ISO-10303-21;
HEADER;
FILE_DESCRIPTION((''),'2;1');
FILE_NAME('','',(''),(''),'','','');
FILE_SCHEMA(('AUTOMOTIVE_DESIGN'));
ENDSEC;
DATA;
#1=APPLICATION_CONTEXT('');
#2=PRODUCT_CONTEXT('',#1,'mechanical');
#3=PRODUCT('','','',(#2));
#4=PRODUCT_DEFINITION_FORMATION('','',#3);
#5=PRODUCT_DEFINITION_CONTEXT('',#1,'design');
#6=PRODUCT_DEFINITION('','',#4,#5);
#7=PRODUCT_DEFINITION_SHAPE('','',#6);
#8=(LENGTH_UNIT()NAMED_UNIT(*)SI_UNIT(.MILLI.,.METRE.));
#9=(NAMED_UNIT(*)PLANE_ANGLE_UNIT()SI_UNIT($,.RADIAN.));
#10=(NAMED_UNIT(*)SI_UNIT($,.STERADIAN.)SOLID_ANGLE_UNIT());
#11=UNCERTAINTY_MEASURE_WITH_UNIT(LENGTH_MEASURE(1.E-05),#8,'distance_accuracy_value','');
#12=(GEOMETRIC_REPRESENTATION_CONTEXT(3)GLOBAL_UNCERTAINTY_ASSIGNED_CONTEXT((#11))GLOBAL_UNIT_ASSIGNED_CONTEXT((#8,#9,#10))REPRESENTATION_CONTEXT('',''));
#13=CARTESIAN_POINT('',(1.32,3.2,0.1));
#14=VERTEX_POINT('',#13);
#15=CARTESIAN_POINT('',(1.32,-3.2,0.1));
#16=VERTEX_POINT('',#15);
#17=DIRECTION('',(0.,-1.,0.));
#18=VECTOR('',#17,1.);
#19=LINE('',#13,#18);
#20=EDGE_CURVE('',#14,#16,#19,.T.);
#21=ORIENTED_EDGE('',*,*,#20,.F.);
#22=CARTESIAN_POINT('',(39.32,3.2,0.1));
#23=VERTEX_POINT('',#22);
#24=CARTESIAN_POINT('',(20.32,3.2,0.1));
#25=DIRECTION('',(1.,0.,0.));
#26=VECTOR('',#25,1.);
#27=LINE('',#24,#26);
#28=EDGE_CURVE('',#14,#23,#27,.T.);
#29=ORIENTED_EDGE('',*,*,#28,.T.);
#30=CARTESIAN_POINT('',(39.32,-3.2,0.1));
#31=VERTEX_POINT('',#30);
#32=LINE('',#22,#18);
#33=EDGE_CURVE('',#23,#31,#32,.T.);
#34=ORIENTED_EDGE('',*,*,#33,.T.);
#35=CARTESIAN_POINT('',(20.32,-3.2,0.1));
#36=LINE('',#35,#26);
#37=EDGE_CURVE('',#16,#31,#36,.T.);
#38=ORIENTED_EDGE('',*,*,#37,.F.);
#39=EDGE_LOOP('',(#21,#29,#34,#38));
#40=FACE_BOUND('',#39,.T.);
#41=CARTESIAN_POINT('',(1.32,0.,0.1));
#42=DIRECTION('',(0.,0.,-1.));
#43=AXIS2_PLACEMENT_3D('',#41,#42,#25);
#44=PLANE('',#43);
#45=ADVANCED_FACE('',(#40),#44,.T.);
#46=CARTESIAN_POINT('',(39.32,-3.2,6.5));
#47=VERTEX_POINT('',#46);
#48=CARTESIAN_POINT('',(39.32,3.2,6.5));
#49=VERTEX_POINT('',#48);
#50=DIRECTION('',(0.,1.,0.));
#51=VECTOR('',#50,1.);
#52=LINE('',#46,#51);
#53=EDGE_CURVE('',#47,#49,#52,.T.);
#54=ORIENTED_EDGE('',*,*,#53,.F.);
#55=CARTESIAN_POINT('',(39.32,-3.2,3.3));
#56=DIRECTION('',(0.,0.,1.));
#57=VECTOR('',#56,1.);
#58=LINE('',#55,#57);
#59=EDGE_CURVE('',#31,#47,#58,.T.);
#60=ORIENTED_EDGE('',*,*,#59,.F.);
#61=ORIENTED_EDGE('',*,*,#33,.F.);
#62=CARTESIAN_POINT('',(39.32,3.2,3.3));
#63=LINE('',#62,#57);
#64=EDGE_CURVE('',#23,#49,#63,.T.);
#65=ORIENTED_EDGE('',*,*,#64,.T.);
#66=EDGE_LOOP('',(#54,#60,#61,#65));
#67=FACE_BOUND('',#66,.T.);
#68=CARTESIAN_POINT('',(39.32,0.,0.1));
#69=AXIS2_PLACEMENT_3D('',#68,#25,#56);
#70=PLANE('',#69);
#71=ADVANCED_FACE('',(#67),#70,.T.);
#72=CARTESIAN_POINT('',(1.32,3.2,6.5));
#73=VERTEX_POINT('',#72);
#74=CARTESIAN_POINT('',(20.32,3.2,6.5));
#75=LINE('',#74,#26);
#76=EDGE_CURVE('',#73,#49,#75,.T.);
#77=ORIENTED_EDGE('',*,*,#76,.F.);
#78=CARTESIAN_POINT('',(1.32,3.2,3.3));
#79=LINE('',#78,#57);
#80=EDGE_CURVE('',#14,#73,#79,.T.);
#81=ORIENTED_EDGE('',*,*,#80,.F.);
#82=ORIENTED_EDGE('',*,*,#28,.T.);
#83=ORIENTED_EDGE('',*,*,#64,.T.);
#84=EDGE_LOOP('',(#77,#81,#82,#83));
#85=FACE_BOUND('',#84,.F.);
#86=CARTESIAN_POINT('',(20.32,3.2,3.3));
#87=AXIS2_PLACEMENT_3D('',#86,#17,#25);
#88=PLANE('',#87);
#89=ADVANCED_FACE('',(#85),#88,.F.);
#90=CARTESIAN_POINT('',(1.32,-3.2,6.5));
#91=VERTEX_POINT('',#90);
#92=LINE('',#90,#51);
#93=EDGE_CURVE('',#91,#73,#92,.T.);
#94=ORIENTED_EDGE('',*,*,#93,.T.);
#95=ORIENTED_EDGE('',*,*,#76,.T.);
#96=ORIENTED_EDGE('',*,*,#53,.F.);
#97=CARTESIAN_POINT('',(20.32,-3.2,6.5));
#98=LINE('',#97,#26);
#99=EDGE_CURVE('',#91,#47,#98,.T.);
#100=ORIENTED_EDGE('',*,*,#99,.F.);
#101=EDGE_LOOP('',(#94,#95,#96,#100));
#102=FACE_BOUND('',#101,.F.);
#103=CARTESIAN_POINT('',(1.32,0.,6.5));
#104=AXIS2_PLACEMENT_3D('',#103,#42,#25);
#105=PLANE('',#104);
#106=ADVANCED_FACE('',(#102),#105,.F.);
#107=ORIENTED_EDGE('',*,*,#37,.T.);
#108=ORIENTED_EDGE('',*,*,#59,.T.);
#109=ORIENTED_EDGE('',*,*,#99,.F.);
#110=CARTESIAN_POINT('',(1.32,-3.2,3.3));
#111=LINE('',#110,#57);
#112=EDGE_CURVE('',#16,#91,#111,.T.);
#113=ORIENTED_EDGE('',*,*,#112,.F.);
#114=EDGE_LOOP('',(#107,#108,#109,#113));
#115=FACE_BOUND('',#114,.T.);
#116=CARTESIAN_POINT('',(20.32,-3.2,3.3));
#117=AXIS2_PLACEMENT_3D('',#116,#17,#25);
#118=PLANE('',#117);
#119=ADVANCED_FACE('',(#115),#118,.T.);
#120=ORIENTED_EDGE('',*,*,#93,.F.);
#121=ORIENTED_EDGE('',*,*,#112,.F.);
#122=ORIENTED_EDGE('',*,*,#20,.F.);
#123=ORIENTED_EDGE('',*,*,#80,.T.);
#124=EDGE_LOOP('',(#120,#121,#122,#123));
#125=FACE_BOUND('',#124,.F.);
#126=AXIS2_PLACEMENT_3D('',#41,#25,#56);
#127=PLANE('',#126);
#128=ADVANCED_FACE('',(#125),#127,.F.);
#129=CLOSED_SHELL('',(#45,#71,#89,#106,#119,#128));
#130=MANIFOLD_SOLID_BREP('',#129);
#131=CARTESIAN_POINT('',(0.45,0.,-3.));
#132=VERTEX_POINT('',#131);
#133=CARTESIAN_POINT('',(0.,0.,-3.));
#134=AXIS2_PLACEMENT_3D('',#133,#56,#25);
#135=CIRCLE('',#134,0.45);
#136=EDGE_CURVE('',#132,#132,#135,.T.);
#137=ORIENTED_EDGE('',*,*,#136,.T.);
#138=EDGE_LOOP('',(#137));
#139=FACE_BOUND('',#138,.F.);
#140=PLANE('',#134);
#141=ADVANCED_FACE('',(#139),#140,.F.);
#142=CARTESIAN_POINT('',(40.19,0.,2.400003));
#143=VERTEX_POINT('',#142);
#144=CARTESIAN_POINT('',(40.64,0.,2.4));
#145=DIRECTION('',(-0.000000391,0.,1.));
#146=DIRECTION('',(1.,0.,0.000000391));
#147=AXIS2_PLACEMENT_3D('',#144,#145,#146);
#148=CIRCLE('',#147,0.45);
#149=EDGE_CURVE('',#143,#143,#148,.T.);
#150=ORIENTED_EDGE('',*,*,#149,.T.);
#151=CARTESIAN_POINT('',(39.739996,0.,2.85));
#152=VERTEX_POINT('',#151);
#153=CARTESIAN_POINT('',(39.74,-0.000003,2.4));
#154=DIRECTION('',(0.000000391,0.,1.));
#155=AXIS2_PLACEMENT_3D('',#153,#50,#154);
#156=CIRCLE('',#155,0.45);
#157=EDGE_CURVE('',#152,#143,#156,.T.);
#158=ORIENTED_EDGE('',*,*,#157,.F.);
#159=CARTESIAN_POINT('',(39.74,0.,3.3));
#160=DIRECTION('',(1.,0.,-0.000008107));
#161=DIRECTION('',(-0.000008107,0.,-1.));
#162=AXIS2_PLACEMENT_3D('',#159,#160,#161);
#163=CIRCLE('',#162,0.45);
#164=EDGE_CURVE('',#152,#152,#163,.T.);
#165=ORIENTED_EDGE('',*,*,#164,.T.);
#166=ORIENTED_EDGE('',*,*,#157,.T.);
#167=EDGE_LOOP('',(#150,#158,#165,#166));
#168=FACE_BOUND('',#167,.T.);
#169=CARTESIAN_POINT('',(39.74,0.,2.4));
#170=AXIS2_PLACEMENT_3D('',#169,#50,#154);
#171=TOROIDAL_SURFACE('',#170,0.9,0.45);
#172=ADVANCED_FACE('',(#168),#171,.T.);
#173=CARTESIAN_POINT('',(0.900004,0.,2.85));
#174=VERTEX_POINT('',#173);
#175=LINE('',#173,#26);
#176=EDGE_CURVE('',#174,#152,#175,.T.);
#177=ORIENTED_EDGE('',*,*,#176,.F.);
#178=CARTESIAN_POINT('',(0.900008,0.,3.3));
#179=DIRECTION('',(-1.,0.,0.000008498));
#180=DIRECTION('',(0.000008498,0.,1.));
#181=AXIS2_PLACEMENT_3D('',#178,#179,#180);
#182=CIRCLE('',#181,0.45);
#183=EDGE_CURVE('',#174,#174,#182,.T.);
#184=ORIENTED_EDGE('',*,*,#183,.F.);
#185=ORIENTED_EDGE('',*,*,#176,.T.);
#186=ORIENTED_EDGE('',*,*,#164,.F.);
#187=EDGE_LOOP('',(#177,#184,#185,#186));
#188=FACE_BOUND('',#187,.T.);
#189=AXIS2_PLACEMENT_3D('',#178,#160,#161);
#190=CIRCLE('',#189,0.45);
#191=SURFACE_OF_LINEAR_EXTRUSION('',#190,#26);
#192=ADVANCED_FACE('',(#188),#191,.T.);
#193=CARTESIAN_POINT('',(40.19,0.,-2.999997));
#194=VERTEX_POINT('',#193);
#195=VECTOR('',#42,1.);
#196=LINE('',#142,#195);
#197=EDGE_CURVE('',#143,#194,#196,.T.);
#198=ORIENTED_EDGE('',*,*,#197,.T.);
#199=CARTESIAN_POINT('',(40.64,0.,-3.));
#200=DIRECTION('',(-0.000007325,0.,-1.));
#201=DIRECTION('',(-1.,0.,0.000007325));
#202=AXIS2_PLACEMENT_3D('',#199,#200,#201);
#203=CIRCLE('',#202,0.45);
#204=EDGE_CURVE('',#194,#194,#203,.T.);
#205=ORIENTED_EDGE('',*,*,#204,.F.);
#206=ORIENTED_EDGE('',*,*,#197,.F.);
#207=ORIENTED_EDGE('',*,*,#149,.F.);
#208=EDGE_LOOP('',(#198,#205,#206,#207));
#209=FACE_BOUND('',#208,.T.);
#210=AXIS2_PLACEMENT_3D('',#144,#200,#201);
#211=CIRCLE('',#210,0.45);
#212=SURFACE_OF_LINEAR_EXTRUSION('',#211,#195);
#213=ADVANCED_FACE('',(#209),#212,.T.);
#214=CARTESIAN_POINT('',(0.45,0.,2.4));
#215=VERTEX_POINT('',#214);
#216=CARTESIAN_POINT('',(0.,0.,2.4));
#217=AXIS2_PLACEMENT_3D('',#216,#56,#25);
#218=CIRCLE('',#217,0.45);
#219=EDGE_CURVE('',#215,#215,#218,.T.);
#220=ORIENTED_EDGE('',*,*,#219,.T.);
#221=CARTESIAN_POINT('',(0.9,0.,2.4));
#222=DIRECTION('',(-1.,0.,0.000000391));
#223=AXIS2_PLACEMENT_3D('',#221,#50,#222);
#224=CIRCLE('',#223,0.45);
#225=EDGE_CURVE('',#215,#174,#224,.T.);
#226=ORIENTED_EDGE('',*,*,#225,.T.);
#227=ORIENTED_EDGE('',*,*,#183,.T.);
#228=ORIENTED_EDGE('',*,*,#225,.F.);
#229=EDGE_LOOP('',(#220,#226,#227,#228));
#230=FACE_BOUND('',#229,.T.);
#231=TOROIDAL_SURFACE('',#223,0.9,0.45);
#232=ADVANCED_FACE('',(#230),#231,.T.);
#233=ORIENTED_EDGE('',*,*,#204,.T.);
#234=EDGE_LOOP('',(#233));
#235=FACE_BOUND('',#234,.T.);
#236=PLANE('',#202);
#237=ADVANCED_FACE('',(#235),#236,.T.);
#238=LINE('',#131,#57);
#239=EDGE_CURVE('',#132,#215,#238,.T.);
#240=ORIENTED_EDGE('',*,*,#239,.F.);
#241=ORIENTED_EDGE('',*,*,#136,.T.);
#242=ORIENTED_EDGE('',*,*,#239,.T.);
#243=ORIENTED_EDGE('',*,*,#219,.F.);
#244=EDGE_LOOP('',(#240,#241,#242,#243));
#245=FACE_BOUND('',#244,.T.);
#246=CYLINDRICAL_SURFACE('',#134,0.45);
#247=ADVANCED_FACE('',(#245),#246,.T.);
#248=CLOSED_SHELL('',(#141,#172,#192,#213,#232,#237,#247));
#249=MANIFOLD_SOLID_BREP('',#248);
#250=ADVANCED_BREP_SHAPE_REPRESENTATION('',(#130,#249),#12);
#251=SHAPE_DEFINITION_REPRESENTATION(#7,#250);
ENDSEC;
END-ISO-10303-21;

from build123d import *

# Parameters (mm, degrees)
SKETCH_R    = 0.45
SKETCH002_W = 38
SKETCH002_H = 6.4
PAD_DEPTH   = 3.2


with BuildPart() as sweep_body:
    # Sweep: sweep along a path in Sketch001
    with BuildLine(Plane.XZ) as sweep_path:
        Line((0, -3), (0, 2.4))
        ThreePointArc((0, 2.4), (0.263607, 3.036399), (0.900008, 3.3))
        Line((0.900008, 3.3), (39.74, 3.3))
        ThreePointArc((39.74, 3.3), (40.376396, 3.036396), (40.64, 2.4))
        Line((40.64, 2.4), (40.64, -3))
    # Sketch → Sweep (sweep)
    with BuildSketch(Plane.XY.offset(-2)):
        Circle(SKETCH_R)
    sweep(path=sweep_path.line)


with BuildPart() as pad:
    # Sketch002 → Pad (new body, symmetric)
    with BuildSketch(Plane.XZ):
        with Locations((20.32, 3.3)):
            Rectangle(SKETCH002_W, SKETCH002_H)
    extrude(amount=PAD_DEPTH, both=True)


solid = Compound([sweep_body.part, pad.part])
